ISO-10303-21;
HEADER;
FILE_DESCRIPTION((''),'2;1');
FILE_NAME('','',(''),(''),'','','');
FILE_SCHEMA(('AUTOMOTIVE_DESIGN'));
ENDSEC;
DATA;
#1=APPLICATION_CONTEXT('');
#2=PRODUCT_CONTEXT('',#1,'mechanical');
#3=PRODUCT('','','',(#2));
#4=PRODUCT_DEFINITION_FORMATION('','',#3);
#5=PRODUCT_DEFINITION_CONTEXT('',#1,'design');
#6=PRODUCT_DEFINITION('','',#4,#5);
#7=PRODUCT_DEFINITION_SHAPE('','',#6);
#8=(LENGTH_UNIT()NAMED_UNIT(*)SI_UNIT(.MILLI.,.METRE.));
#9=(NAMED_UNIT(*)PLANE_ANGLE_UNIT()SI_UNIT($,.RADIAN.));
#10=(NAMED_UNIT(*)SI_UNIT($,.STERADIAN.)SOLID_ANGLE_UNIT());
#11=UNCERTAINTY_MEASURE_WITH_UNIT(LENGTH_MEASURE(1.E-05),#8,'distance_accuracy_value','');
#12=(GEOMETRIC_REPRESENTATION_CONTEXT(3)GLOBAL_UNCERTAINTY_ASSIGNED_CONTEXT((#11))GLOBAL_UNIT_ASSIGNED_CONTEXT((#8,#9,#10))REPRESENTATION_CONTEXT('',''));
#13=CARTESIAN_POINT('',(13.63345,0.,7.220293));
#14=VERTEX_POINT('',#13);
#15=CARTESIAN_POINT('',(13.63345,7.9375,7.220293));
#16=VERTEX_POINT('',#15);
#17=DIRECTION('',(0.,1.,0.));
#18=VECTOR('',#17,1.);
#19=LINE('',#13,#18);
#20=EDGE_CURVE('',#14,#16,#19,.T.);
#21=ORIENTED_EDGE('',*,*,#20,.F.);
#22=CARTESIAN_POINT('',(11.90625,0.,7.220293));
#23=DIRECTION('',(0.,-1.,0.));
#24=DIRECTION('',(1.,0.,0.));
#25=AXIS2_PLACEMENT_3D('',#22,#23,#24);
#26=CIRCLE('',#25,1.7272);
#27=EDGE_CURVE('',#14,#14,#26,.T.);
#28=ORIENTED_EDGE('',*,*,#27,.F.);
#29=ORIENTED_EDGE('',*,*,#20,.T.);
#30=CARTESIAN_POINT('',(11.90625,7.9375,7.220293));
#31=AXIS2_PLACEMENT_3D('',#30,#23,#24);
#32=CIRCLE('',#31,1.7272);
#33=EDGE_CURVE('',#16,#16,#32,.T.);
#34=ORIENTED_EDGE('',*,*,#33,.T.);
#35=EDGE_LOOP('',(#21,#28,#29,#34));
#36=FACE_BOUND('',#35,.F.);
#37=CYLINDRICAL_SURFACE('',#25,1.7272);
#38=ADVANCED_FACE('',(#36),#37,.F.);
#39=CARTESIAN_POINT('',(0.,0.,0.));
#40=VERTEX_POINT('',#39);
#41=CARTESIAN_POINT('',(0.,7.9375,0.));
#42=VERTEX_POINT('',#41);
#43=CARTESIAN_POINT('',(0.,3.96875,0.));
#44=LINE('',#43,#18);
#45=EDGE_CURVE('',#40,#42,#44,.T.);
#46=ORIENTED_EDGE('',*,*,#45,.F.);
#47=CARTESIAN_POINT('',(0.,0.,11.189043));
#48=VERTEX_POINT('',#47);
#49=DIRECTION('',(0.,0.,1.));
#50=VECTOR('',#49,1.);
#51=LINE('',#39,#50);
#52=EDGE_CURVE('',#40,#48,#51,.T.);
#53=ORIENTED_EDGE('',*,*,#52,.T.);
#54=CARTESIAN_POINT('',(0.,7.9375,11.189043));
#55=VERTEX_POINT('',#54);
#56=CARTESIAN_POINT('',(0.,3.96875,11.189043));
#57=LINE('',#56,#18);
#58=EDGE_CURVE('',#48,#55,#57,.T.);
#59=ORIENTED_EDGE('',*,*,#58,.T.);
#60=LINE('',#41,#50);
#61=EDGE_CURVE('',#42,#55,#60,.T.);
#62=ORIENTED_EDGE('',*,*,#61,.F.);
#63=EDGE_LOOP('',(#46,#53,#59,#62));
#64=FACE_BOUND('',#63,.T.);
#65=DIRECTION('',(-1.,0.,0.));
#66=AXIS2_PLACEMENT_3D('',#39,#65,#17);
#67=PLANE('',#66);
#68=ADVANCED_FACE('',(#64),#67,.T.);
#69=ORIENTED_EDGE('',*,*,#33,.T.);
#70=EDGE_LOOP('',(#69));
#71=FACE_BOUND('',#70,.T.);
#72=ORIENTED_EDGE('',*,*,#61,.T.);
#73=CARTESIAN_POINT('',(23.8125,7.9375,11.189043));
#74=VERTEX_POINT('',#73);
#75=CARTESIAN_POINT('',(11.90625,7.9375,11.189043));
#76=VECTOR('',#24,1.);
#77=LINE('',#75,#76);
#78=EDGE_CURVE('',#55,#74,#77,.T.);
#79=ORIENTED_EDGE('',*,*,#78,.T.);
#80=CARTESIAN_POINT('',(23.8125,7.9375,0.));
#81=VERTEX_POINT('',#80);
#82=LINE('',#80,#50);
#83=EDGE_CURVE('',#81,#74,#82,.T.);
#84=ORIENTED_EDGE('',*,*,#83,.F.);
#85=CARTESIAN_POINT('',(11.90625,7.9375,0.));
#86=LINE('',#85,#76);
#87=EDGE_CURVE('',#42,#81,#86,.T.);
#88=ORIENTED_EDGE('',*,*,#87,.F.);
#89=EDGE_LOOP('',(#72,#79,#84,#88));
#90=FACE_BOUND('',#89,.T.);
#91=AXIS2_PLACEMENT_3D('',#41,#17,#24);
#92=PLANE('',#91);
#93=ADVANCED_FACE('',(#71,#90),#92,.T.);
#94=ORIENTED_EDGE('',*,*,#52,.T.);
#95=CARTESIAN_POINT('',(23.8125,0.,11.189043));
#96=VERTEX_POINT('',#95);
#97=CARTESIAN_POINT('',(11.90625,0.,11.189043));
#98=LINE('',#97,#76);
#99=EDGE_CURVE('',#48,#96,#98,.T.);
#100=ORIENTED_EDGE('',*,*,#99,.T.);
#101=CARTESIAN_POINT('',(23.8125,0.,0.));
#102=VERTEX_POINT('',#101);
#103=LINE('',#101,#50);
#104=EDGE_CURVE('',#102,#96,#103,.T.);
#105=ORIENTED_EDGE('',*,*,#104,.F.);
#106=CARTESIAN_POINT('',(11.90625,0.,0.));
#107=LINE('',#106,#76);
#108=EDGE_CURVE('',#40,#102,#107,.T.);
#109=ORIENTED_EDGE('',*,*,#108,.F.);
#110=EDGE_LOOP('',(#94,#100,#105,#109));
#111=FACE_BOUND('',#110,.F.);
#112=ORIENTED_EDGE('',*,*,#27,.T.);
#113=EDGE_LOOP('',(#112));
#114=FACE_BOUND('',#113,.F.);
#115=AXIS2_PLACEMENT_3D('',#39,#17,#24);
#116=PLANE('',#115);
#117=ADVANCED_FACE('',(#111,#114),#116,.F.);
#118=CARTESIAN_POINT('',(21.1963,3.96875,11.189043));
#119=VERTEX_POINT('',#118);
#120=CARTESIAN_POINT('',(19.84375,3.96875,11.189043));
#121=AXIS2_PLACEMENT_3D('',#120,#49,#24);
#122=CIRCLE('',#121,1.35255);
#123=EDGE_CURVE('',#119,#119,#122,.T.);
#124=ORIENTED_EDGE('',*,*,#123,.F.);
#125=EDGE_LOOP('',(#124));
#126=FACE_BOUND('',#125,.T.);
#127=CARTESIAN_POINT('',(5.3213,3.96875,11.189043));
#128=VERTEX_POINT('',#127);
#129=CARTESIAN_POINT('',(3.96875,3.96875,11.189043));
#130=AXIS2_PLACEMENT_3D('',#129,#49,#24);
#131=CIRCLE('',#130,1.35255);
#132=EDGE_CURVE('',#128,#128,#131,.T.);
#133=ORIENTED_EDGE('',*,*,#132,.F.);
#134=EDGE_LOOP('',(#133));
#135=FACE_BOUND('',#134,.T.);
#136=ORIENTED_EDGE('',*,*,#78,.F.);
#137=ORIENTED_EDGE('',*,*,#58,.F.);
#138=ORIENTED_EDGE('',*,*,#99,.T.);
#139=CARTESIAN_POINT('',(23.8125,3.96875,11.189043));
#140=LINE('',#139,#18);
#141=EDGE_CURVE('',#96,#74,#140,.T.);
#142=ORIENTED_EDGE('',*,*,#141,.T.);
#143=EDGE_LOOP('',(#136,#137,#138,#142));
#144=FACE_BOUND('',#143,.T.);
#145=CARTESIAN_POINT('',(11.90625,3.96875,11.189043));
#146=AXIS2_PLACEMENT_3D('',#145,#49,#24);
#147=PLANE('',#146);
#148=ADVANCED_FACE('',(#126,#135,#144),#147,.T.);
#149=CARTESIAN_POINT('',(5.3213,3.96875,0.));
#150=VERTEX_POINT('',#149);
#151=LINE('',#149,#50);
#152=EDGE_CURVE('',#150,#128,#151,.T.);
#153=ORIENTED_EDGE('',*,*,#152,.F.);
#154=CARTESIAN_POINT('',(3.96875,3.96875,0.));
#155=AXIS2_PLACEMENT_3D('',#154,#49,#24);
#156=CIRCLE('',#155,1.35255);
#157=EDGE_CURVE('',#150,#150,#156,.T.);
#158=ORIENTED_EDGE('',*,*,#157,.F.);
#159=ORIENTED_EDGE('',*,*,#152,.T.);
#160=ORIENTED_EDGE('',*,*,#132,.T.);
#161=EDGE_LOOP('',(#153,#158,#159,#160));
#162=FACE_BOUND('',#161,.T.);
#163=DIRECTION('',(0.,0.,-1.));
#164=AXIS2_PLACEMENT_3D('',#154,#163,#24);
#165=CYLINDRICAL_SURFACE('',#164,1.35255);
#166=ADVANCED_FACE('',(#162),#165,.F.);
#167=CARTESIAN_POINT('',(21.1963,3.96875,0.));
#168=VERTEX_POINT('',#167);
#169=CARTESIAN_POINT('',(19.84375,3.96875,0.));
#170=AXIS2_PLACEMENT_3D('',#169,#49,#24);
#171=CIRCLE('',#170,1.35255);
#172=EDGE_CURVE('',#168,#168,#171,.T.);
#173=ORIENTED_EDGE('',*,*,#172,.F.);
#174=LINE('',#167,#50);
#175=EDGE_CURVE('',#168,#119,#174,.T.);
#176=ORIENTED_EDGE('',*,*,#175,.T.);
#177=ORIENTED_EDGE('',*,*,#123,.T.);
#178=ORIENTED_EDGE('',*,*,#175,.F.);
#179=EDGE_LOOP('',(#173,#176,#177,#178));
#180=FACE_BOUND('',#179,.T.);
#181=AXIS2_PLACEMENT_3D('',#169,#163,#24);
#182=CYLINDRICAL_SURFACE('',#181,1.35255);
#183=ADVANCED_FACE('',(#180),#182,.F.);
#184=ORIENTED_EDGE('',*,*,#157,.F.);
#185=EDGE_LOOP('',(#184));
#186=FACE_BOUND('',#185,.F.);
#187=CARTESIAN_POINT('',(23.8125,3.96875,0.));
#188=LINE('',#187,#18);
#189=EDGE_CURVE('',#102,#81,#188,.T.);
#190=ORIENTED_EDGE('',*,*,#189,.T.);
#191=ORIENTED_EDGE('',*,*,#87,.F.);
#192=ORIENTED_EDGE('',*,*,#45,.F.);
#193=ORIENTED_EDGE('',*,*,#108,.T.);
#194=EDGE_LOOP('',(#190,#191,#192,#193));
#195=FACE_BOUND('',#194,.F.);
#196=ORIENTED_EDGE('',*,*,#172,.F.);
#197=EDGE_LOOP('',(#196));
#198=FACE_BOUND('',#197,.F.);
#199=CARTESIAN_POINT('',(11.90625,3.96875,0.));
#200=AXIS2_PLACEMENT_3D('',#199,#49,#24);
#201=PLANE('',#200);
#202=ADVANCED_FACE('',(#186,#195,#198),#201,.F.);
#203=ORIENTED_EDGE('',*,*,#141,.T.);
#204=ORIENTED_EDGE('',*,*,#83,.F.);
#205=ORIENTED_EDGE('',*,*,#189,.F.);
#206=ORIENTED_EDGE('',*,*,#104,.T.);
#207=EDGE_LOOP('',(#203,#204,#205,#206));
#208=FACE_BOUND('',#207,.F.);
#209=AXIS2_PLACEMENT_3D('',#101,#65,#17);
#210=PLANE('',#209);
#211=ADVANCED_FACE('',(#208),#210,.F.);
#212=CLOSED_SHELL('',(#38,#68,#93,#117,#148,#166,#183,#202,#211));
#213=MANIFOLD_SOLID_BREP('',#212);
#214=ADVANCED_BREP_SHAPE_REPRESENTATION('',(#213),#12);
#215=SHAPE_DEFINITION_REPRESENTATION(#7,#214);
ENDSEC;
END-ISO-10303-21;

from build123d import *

# Parameters (mm, degrees)
F0_W     = 23.8125
F0_H     = 7.9375
F0_R     = 1.35255
F1_DEPTH = 11.189043
F2_R     = 1.7272
F3_DEPTH = 7.9375


with BuildPart() as f1:
    # F0 (on Top) → F1 (new body)
    with BuildSketch(Plane.XY):
        with Locations((11.90625, 3.96875)):
            Rectangle(F0_W, F0_H)
        with Locations((3.96875, 3.96875)):
            Circle(F0_R, mode=Mode.SUBTRACT)
        with Locations((19.84375, 3.96875)):
            Circle(F0_R, mode=Mode.SUBTRACT)
    extrude(amount=F1_DEPTH)

    # F2 (on face) → F3 (cut, through all)
    with BuildSketch(Plane.XZ):
        with Locations((11.90625, 7.220293)):
            Circle(F2_R)
    extrude(amount=-F3_DEPTH, mode=Mode.SUBTRACT)


solid = f1.part
